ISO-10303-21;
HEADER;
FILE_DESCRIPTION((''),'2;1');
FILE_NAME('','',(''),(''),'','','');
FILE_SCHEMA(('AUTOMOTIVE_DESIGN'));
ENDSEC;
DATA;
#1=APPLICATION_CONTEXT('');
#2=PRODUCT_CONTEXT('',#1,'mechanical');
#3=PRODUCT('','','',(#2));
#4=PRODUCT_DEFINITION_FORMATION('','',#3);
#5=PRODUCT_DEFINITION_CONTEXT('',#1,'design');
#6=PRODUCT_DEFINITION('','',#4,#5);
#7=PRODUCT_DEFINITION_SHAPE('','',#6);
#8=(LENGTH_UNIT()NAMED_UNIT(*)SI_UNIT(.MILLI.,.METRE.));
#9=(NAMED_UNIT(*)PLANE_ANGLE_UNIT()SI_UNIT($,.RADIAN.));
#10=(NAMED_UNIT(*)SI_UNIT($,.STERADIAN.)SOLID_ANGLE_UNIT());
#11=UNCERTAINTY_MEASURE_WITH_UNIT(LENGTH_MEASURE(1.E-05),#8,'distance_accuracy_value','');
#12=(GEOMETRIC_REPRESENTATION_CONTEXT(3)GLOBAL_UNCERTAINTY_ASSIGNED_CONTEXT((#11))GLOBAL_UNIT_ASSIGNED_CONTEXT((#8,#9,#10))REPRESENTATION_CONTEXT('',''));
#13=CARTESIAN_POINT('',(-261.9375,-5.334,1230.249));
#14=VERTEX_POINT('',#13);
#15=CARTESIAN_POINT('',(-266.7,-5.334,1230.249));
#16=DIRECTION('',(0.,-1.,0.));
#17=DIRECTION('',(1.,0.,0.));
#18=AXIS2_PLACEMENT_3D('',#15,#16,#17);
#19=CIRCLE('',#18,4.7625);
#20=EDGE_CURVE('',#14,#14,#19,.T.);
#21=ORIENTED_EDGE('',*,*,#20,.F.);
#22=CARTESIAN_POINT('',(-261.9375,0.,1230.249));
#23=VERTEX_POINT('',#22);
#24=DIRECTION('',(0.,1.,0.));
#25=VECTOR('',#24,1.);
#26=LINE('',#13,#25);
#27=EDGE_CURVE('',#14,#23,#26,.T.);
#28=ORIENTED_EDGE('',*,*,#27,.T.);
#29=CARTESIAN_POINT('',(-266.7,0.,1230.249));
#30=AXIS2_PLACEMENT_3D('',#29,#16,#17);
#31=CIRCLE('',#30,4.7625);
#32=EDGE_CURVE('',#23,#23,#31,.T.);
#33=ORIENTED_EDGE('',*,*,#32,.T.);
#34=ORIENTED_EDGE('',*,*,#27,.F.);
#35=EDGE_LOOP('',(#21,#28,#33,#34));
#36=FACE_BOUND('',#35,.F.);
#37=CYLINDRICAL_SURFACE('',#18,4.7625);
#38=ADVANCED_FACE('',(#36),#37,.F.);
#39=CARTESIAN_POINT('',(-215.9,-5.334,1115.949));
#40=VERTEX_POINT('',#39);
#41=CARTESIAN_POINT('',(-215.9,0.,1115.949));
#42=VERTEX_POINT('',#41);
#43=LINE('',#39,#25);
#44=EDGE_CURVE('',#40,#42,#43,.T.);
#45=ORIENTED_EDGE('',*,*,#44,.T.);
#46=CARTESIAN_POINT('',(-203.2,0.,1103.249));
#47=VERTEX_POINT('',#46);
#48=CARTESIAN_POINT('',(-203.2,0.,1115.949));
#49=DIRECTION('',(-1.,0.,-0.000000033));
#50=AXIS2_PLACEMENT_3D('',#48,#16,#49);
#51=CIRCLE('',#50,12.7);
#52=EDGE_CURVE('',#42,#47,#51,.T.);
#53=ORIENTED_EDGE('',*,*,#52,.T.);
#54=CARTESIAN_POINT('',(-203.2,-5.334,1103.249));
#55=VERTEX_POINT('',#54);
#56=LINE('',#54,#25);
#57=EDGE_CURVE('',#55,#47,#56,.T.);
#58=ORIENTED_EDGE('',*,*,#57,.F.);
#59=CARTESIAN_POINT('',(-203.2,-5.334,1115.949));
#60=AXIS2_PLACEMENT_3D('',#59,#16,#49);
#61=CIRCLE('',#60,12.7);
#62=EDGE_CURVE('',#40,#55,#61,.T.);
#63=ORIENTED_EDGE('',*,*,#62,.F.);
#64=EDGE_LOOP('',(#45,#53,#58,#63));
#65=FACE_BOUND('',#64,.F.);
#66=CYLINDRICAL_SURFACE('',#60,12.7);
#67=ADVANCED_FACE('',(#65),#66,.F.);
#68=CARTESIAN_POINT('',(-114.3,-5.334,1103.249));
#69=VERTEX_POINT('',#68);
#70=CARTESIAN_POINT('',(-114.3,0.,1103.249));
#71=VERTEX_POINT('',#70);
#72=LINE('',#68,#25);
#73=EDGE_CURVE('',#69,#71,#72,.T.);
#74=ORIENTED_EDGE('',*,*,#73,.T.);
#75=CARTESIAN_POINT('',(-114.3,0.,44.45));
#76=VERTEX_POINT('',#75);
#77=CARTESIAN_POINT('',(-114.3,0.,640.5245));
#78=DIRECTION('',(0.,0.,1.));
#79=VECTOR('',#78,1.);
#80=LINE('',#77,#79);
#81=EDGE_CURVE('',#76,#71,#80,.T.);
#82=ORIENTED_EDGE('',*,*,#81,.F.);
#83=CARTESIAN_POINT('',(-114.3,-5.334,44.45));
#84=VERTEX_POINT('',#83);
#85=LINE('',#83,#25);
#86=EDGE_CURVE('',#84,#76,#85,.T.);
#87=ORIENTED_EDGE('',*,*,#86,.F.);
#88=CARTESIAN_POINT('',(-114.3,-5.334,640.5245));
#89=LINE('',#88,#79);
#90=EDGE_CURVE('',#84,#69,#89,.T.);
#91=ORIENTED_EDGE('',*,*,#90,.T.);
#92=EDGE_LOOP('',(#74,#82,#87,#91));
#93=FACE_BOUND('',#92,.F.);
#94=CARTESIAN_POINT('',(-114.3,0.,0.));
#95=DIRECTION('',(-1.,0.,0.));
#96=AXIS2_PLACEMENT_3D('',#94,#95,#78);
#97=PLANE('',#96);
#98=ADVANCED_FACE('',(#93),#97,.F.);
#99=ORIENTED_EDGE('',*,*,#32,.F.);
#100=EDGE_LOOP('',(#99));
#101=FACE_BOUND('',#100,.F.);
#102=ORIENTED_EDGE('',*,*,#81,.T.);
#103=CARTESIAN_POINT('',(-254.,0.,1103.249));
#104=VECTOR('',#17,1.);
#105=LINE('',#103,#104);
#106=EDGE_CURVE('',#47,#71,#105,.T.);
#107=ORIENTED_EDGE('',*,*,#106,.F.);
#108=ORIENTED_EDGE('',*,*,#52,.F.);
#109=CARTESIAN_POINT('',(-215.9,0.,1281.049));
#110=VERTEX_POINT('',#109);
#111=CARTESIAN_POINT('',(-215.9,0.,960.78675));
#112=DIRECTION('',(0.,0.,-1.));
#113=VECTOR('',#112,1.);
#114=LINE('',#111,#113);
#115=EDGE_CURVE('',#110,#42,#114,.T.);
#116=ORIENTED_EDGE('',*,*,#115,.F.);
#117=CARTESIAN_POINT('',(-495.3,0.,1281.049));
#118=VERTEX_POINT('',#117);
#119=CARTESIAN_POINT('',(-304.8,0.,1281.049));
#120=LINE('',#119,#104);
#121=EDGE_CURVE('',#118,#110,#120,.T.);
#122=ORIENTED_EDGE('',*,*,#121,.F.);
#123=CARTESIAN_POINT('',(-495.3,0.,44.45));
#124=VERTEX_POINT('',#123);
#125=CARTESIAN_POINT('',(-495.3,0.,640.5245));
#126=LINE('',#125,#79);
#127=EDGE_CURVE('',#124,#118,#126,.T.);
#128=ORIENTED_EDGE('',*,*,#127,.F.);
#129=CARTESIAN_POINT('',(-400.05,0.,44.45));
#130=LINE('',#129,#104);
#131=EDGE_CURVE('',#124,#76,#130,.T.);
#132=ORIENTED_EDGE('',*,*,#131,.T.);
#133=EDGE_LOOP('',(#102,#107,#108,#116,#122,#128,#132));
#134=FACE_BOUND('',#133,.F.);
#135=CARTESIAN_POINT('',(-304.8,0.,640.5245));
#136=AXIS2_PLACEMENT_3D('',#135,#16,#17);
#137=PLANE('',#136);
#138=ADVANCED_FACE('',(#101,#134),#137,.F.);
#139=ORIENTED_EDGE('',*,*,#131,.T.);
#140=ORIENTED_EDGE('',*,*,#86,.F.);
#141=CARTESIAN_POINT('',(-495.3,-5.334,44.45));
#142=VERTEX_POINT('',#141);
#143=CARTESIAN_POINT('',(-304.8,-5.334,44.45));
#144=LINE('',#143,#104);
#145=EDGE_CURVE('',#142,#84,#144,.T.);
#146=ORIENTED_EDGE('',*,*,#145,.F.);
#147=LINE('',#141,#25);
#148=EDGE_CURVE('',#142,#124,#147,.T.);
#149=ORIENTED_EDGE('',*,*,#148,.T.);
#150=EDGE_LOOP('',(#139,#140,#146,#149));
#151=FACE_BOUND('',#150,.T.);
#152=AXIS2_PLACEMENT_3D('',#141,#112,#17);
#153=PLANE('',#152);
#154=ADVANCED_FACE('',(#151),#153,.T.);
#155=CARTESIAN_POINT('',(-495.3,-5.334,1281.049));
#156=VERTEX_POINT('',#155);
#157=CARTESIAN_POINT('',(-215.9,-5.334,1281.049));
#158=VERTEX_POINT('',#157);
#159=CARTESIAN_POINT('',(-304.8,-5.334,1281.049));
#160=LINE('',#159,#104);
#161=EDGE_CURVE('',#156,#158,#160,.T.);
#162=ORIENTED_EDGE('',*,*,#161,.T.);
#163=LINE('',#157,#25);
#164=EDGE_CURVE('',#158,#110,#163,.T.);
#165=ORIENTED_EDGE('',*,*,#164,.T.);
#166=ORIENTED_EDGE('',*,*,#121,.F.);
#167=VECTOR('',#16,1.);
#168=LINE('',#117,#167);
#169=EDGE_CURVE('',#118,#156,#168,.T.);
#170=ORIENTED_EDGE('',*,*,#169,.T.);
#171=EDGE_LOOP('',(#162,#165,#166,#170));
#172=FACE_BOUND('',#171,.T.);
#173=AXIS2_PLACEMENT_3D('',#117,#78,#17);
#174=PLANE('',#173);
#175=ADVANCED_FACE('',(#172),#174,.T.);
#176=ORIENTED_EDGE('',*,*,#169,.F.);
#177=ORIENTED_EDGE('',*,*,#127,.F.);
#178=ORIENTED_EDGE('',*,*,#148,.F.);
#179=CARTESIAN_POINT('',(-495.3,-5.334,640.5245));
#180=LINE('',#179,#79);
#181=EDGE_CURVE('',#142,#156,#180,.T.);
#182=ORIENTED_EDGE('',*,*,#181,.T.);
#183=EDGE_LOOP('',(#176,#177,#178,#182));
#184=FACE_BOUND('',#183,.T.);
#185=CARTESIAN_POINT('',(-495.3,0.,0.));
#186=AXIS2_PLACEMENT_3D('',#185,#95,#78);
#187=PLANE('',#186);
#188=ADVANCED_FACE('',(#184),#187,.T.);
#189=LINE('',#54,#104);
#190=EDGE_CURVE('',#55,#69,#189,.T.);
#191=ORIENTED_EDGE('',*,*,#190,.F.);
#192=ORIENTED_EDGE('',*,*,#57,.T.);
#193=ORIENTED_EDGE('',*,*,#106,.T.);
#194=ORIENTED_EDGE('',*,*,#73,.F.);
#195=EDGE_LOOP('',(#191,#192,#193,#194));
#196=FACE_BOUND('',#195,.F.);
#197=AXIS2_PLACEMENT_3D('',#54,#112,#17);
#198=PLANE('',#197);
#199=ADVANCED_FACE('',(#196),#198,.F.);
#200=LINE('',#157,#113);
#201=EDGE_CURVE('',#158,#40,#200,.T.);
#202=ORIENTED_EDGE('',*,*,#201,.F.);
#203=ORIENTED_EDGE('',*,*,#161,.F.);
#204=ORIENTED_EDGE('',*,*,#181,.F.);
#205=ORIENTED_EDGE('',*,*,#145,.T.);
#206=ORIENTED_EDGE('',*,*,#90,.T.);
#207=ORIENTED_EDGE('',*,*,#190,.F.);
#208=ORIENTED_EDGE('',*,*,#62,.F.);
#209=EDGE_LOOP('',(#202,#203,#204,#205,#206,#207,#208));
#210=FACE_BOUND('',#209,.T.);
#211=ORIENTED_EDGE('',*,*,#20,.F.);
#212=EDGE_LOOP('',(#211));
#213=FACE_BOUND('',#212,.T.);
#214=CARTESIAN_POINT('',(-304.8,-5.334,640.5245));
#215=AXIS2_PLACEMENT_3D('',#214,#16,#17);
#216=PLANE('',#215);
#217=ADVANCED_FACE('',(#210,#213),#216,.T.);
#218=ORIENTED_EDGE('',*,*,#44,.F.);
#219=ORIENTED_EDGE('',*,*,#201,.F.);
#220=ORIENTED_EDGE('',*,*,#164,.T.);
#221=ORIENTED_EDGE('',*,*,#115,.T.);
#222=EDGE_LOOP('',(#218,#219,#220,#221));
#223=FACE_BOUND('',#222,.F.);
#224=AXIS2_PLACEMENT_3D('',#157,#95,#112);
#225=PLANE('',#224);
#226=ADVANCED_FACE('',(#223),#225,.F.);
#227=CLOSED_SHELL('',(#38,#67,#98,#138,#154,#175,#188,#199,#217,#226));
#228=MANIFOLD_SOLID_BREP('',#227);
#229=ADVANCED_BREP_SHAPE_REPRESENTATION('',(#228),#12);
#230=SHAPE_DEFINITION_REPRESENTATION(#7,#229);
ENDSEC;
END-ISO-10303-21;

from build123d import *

# Parameters (mm, degrees)
F0_W     = 381
F0_H     = 1281.049
F1_DEPTH = 5.334
F3_DEPTH = 25.4
F4_W     = 381
F4_H     = 44.45
F5_DEPTH = 25.4
F6_R     = 4.7625
F7_DEPTH = 25.4


with BuildPart() as f1:
    # F0 (on Front) → F1 (new body)
    with BuildSketch(Plane.XZ):
        with Locations((-304.8, 640.5245)):
            Rectangle(F0_W, F0_H)
    extrude(amount=F1_DEPTH)

    # F2 (on face) → F3 (cut)
    with BuildSketch(Plane.XZ.offset(5.334)):
        with BuildLine():
            Line((-114.3, 1103.249), (-114.3, 1281.049))
            Line((-114.3, 1281.049), (-215.9, 1281.049))
            Line((-215.9, 1281.049), (-215.9, 1115.949))
            ThreePointArc((-215.9, 1115.949), (-212.180256, 1106.968744), (-203.2, 1103.249))
            Line((-203.2, 1103.249), (-114.3, 1103.249))
        make_face()
    extrude(amount=-F3_DEPTH, mode=Mode.SUBTRACT)

    # F4 (on face) → F5 (cut)
    with BuildSketch(Plane.XZ.offset(5.334)):
        with Locations((-304.8, 22.225)):
            Rectangle(F4_W, F4_H)
    extrude(amount=-F5_DEPTH, mode=Mode.SUBTRACT)

    # F6 (on face) → F7 (cut)
    with BuildSketch(Plane.XZ.offset(5.334)):
        with Locations((-266.7, 1230.249)):
            Circle(F6_R)
    extrude(amount=-F7_DEPTH, mode=Mode.SUBTRACT)


solid = f1.part
